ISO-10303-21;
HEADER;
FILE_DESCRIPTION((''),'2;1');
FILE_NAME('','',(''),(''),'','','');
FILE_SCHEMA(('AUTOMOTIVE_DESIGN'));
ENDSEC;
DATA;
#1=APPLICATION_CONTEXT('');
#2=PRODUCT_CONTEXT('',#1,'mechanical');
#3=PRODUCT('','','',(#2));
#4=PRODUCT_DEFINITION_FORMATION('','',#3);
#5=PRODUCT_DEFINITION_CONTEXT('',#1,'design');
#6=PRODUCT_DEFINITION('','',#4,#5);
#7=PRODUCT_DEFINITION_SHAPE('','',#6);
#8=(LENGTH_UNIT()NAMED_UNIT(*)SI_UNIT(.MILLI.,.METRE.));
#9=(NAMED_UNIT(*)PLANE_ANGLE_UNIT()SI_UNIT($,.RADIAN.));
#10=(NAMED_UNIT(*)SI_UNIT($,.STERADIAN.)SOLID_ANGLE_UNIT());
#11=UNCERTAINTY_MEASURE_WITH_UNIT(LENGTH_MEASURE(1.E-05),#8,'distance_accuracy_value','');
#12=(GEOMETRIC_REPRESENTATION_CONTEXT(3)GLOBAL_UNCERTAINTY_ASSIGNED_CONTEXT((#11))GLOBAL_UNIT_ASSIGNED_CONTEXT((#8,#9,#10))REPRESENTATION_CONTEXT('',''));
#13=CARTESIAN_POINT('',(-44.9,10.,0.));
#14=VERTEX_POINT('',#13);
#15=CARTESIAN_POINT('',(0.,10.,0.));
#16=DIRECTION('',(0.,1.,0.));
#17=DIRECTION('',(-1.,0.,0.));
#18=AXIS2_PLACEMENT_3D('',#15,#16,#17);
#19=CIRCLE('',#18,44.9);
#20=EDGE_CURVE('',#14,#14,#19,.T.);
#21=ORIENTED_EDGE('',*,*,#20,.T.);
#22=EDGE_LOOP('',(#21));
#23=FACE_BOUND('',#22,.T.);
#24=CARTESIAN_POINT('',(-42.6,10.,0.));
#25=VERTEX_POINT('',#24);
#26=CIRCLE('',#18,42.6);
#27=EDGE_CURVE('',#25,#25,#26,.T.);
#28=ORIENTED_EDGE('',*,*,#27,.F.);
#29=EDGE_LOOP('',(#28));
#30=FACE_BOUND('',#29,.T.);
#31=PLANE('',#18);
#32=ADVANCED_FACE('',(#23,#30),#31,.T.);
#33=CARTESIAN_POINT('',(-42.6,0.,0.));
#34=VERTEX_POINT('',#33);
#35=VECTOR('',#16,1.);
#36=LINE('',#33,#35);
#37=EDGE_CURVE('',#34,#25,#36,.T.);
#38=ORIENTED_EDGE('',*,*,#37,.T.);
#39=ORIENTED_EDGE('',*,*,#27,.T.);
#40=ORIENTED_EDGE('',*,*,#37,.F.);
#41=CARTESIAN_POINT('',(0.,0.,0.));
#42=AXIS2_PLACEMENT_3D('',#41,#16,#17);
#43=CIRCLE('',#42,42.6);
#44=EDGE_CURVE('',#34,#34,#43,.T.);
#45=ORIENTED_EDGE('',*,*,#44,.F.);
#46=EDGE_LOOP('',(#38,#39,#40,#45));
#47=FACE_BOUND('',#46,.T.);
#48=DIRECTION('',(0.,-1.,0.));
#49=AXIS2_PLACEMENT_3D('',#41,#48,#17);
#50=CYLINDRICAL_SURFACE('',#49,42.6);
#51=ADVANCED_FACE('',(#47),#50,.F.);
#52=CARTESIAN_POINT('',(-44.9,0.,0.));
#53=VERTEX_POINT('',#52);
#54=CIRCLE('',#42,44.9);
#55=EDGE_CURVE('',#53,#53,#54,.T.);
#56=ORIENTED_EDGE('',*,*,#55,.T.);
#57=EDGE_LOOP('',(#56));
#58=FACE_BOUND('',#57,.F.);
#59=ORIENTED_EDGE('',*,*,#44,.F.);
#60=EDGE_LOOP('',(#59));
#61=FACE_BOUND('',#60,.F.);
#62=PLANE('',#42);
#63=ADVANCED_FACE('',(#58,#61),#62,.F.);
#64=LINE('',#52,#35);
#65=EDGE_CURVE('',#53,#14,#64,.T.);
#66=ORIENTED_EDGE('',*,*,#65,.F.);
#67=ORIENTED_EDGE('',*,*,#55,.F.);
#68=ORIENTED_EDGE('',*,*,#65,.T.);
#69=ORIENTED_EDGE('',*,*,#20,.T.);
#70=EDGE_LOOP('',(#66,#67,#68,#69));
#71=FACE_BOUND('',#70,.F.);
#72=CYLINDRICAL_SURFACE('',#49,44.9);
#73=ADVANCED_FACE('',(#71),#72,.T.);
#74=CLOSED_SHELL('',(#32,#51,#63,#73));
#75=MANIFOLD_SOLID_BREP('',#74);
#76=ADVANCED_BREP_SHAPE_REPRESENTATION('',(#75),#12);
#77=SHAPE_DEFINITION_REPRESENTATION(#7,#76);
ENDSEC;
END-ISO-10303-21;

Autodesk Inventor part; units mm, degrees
ref_plane "YZ Plane" through (0, 0, 0) normal (1, 0, 0) x (0, 1, 0)
ref_plane "XZ Plane" through (0, 0, 0) normal (0, 1, 0) x (-1, 0, 0)
ref_plane "XY Plane" through (0, 0, 0) normal (0, 0, 1) x (1, 0, 0)
sketch "Sketch1" plane through (0, 0, 0) normal (0, 1, 0) x (-1, 0, 0)
  circle A0 centre (0, 0) radius 44.9
  circle A1 centre (0, 0) radius 42.6
  dimension "d0" = 89.8
  dimension "d1" = 85.2
extrude "Extrusion1" add sketch "Sketch1" along normal blind 10
properties part number "bearingShim"
